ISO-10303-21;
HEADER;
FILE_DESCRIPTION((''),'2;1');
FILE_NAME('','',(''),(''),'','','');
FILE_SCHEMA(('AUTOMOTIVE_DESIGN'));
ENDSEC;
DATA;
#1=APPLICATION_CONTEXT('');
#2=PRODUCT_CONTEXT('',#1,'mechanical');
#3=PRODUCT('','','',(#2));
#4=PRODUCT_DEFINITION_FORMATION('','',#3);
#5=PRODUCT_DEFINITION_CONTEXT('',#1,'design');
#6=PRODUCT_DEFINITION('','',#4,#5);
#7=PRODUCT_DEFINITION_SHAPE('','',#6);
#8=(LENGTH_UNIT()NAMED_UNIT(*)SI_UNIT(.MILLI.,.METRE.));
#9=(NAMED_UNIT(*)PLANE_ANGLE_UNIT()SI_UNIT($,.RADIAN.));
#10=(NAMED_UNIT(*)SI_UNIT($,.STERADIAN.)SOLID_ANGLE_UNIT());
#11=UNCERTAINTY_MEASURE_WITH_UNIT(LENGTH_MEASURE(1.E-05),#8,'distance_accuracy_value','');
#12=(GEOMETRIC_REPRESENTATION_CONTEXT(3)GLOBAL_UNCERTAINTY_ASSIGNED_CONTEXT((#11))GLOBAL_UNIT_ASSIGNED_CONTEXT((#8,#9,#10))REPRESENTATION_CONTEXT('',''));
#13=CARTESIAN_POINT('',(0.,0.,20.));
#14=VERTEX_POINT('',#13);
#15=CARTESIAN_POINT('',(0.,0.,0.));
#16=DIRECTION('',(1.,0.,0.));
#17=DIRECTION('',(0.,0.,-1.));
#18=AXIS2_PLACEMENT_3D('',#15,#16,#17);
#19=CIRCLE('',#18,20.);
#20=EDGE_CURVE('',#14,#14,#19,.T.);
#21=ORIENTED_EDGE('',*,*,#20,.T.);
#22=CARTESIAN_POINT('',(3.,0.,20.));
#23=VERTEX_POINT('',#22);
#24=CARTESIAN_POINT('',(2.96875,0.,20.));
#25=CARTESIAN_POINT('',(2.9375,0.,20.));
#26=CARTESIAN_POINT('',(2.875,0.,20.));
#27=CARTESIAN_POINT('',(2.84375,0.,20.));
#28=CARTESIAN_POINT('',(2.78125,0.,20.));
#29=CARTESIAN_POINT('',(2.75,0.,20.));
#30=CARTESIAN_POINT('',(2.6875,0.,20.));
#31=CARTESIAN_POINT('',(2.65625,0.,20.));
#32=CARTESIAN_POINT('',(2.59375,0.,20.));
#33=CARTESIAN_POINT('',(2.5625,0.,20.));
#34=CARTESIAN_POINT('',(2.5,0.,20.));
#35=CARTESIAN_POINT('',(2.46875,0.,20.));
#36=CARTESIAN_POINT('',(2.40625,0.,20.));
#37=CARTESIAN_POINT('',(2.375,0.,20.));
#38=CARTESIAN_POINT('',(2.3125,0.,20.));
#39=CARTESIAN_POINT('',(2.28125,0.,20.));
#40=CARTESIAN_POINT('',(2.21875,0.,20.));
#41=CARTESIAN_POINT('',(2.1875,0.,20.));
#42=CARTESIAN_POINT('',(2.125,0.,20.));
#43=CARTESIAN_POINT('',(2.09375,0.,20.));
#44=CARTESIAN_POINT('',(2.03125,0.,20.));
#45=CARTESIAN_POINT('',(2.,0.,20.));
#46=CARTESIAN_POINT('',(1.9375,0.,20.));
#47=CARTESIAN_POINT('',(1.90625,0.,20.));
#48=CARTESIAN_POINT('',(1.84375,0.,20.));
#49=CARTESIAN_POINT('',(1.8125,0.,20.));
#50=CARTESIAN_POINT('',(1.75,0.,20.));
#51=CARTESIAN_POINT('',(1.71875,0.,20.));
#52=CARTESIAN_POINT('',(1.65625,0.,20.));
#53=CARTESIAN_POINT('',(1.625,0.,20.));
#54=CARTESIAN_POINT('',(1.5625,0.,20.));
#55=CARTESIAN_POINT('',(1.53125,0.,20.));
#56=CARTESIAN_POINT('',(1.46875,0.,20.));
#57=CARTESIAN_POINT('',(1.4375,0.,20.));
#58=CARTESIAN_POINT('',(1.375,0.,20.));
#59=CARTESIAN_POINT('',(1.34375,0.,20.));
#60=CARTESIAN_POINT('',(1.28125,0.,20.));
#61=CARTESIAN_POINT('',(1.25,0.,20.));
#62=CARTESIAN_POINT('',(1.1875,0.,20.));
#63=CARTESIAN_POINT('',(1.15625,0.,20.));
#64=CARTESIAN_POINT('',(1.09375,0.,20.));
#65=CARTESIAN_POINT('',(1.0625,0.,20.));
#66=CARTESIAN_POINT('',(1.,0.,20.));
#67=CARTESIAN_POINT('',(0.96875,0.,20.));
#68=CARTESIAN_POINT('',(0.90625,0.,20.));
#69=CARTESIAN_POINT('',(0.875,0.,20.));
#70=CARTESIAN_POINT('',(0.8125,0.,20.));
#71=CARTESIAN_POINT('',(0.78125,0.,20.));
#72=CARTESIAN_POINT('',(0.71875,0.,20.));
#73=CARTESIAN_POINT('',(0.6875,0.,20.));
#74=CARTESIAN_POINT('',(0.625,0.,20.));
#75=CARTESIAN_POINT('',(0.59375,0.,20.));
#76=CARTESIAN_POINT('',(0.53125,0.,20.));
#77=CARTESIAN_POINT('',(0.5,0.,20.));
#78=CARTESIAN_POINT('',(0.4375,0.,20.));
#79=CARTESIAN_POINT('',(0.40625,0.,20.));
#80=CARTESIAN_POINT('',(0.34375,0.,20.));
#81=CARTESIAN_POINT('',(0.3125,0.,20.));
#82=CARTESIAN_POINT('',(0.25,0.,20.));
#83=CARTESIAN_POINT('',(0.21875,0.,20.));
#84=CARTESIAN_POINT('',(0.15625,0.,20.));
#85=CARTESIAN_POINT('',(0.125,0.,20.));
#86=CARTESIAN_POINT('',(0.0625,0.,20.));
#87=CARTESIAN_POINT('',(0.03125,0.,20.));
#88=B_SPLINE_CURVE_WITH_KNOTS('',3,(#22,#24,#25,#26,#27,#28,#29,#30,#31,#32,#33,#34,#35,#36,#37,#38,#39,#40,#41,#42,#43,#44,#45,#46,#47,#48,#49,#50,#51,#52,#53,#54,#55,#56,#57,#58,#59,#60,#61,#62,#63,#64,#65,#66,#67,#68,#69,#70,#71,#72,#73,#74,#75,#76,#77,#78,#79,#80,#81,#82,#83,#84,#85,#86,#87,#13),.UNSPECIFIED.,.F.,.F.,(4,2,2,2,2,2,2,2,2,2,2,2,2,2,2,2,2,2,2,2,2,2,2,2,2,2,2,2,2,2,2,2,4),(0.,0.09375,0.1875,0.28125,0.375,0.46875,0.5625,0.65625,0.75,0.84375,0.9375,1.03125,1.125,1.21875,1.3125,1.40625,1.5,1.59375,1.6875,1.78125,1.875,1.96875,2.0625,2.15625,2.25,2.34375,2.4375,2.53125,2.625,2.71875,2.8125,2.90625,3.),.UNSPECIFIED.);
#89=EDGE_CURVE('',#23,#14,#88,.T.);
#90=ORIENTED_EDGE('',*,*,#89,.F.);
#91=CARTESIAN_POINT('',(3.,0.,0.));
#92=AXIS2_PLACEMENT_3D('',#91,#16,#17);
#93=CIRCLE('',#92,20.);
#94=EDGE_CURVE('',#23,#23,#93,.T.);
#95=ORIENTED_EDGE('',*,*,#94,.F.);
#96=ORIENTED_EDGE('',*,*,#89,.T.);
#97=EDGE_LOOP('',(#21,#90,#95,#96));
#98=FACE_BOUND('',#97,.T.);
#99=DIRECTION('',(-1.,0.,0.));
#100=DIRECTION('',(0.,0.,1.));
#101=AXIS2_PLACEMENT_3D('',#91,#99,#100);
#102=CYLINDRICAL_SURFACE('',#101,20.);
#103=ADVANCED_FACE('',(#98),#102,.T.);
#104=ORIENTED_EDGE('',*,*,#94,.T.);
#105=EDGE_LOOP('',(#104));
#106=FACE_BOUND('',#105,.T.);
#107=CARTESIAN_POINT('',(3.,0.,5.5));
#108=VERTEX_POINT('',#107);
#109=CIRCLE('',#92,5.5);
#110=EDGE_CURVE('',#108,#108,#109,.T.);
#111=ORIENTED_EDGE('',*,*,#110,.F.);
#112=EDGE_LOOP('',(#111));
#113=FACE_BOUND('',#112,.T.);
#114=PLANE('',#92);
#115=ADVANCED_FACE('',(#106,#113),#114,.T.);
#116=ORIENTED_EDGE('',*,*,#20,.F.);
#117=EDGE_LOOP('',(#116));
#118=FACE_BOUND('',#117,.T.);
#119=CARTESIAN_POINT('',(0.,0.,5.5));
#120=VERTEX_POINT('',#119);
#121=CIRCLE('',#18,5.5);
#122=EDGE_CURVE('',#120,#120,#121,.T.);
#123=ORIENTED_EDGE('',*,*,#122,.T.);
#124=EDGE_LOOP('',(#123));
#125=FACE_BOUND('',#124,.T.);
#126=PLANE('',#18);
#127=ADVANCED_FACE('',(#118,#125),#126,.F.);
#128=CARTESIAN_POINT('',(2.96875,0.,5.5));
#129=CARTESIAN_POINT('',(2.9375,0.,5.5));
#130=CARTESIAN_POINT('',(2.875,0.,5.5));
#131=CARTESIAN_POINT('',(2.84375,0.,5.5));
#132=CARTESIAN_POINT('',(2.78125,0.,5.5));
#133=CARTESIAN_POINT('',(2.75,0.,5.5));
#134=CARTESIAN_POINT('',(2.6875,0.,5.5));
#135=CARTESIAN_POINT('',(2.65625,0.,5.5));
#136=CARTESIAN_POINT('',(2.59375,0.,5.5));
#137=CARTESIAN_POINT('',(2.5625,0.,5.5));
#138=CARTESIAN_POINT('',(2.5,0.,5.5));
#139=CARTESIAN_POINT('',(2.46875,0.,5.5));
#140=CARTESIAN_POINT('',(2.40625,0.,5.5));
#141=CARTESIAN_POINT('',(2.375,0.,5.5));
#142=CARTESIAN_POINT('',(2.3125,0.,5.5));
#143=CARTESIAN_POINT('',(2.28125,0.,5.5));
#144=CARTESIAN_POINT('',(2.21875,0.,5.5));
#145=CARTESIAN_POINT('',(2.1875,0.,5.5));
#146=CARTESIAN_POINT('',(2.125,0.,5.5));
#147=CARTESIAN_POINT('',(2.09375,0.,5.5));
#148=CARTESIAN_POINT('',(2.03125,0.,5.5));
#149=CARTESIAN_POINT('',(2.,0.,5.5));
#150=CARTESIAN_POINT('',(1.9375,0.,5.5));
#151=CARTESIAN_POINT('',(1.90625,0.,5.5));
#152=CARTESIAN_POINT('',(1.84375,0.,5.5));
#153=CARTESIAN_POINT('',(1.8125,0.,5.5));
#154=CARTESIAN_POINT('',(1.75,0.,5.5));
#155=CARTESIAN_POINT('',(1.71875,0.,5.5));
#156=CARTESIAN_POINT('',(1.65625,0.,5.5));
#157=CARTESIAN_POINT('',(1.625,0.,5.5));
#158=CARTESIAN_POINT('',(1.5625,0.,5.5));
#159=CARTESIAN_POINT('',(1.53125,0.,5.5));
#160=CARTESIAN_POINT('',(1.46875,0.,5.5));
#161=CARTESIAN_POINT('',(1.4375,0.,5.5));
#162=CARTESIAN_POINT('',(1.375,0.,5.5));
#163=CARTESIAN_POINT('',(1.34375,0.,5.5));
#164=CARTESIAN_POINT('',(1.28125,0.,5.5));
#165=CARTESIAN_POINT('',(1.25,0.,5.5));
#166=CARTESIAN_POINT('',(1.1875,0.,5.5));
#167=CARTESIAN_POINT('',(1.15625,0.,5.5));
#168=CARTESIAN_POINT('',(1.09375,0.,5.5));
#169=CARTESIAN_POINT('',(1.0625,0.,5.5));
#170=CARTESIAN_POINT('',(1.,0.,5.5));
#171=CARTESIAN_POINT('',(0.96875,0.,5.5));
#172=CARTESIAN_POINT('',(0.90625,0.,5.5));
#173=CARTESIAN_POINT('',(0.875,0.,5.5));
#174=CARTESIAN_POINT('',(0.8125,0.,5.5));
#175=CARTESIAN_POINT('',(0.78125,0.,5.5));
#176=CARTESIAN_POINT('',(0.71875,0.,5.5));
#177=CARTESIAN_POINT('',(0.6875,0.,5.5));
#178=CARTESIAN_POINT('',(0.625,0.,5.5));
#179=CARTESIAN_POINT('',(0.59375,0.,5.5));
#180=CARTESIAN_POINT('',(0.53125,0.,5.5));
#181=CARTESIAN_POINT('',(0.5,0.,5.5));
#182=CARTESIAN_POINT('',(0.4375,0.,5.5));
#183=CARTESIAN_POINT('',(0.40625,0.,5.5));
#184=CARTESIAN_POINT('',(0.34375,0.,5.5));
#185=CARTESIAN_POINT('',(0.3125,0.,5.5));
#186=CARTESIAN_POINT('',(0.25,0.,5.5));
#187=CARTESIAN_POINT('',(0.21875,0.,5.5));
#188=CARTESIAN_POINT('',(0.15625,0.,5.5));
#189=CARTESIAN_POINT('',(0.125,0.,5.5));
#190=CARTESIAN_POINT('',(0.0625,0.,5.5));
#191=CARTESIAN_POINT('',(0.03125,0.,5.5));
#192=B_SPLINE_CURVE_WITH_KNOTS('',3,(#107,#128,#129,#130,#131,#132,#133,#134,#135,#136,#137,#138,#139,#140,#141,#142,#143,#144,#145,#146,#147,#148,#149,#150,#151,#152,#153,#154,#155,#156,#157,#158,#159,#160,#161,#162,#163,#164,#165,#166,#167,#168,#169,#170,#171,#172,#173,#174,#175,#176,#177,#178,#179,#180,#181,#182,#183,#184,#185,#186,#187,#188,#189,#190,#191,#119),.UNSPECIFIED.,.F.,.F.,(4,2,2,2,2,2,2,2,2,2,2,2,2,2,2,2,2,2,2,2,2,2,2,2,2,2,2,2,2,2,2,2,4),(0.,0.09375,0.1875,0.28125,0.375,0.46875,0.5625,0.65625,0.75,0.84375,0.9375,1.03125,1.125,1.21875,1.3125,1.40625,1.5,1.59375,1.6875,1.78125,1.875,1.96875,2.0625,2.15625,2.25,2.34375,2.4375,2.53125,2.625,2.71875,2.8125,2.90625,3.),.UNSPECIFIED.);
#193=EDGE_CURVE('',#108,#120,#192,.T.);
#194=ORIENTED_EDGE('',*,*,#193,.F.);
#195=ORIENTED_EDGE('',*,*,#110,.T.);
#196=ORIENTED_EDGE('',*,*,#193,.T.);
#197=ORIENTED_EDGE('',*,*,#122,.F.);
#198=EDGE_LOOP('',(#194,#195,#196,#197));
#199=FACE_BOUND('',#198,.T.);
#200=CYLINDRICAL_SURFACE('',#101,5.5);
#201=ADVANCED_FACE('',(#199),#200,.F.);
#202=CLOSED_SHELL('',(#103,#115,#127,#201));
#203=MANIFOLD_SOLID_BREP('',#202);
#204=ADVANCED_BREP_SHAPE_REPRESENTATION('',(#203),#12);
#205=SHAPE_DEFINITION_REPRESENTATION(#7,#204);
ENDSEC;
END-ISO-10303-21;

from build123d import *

# Parameters (mm, degrees)
SKETCH_1_R        = 20
SKETCH_1_R_2      = 5.5
EXTRUDE_367_DEPTH = 3


with BuildPart() as part:
    # 草圖1 → Extrude 367 (new body)
    with BuildSketch(Plane.YZ):
        with Locations(Location((0, 0, 0), (0, 0, 90))):
            Circle(SKETCH_1_R)
        with Locations(Location((0, 0, 0), (0, 0, 90))):
            Circle(SKETCH_1_R_2, mode=Mode.SUBTRACT)
    extrude(amount=EXTRUDE_367_DEPTH)


solid = part.part
